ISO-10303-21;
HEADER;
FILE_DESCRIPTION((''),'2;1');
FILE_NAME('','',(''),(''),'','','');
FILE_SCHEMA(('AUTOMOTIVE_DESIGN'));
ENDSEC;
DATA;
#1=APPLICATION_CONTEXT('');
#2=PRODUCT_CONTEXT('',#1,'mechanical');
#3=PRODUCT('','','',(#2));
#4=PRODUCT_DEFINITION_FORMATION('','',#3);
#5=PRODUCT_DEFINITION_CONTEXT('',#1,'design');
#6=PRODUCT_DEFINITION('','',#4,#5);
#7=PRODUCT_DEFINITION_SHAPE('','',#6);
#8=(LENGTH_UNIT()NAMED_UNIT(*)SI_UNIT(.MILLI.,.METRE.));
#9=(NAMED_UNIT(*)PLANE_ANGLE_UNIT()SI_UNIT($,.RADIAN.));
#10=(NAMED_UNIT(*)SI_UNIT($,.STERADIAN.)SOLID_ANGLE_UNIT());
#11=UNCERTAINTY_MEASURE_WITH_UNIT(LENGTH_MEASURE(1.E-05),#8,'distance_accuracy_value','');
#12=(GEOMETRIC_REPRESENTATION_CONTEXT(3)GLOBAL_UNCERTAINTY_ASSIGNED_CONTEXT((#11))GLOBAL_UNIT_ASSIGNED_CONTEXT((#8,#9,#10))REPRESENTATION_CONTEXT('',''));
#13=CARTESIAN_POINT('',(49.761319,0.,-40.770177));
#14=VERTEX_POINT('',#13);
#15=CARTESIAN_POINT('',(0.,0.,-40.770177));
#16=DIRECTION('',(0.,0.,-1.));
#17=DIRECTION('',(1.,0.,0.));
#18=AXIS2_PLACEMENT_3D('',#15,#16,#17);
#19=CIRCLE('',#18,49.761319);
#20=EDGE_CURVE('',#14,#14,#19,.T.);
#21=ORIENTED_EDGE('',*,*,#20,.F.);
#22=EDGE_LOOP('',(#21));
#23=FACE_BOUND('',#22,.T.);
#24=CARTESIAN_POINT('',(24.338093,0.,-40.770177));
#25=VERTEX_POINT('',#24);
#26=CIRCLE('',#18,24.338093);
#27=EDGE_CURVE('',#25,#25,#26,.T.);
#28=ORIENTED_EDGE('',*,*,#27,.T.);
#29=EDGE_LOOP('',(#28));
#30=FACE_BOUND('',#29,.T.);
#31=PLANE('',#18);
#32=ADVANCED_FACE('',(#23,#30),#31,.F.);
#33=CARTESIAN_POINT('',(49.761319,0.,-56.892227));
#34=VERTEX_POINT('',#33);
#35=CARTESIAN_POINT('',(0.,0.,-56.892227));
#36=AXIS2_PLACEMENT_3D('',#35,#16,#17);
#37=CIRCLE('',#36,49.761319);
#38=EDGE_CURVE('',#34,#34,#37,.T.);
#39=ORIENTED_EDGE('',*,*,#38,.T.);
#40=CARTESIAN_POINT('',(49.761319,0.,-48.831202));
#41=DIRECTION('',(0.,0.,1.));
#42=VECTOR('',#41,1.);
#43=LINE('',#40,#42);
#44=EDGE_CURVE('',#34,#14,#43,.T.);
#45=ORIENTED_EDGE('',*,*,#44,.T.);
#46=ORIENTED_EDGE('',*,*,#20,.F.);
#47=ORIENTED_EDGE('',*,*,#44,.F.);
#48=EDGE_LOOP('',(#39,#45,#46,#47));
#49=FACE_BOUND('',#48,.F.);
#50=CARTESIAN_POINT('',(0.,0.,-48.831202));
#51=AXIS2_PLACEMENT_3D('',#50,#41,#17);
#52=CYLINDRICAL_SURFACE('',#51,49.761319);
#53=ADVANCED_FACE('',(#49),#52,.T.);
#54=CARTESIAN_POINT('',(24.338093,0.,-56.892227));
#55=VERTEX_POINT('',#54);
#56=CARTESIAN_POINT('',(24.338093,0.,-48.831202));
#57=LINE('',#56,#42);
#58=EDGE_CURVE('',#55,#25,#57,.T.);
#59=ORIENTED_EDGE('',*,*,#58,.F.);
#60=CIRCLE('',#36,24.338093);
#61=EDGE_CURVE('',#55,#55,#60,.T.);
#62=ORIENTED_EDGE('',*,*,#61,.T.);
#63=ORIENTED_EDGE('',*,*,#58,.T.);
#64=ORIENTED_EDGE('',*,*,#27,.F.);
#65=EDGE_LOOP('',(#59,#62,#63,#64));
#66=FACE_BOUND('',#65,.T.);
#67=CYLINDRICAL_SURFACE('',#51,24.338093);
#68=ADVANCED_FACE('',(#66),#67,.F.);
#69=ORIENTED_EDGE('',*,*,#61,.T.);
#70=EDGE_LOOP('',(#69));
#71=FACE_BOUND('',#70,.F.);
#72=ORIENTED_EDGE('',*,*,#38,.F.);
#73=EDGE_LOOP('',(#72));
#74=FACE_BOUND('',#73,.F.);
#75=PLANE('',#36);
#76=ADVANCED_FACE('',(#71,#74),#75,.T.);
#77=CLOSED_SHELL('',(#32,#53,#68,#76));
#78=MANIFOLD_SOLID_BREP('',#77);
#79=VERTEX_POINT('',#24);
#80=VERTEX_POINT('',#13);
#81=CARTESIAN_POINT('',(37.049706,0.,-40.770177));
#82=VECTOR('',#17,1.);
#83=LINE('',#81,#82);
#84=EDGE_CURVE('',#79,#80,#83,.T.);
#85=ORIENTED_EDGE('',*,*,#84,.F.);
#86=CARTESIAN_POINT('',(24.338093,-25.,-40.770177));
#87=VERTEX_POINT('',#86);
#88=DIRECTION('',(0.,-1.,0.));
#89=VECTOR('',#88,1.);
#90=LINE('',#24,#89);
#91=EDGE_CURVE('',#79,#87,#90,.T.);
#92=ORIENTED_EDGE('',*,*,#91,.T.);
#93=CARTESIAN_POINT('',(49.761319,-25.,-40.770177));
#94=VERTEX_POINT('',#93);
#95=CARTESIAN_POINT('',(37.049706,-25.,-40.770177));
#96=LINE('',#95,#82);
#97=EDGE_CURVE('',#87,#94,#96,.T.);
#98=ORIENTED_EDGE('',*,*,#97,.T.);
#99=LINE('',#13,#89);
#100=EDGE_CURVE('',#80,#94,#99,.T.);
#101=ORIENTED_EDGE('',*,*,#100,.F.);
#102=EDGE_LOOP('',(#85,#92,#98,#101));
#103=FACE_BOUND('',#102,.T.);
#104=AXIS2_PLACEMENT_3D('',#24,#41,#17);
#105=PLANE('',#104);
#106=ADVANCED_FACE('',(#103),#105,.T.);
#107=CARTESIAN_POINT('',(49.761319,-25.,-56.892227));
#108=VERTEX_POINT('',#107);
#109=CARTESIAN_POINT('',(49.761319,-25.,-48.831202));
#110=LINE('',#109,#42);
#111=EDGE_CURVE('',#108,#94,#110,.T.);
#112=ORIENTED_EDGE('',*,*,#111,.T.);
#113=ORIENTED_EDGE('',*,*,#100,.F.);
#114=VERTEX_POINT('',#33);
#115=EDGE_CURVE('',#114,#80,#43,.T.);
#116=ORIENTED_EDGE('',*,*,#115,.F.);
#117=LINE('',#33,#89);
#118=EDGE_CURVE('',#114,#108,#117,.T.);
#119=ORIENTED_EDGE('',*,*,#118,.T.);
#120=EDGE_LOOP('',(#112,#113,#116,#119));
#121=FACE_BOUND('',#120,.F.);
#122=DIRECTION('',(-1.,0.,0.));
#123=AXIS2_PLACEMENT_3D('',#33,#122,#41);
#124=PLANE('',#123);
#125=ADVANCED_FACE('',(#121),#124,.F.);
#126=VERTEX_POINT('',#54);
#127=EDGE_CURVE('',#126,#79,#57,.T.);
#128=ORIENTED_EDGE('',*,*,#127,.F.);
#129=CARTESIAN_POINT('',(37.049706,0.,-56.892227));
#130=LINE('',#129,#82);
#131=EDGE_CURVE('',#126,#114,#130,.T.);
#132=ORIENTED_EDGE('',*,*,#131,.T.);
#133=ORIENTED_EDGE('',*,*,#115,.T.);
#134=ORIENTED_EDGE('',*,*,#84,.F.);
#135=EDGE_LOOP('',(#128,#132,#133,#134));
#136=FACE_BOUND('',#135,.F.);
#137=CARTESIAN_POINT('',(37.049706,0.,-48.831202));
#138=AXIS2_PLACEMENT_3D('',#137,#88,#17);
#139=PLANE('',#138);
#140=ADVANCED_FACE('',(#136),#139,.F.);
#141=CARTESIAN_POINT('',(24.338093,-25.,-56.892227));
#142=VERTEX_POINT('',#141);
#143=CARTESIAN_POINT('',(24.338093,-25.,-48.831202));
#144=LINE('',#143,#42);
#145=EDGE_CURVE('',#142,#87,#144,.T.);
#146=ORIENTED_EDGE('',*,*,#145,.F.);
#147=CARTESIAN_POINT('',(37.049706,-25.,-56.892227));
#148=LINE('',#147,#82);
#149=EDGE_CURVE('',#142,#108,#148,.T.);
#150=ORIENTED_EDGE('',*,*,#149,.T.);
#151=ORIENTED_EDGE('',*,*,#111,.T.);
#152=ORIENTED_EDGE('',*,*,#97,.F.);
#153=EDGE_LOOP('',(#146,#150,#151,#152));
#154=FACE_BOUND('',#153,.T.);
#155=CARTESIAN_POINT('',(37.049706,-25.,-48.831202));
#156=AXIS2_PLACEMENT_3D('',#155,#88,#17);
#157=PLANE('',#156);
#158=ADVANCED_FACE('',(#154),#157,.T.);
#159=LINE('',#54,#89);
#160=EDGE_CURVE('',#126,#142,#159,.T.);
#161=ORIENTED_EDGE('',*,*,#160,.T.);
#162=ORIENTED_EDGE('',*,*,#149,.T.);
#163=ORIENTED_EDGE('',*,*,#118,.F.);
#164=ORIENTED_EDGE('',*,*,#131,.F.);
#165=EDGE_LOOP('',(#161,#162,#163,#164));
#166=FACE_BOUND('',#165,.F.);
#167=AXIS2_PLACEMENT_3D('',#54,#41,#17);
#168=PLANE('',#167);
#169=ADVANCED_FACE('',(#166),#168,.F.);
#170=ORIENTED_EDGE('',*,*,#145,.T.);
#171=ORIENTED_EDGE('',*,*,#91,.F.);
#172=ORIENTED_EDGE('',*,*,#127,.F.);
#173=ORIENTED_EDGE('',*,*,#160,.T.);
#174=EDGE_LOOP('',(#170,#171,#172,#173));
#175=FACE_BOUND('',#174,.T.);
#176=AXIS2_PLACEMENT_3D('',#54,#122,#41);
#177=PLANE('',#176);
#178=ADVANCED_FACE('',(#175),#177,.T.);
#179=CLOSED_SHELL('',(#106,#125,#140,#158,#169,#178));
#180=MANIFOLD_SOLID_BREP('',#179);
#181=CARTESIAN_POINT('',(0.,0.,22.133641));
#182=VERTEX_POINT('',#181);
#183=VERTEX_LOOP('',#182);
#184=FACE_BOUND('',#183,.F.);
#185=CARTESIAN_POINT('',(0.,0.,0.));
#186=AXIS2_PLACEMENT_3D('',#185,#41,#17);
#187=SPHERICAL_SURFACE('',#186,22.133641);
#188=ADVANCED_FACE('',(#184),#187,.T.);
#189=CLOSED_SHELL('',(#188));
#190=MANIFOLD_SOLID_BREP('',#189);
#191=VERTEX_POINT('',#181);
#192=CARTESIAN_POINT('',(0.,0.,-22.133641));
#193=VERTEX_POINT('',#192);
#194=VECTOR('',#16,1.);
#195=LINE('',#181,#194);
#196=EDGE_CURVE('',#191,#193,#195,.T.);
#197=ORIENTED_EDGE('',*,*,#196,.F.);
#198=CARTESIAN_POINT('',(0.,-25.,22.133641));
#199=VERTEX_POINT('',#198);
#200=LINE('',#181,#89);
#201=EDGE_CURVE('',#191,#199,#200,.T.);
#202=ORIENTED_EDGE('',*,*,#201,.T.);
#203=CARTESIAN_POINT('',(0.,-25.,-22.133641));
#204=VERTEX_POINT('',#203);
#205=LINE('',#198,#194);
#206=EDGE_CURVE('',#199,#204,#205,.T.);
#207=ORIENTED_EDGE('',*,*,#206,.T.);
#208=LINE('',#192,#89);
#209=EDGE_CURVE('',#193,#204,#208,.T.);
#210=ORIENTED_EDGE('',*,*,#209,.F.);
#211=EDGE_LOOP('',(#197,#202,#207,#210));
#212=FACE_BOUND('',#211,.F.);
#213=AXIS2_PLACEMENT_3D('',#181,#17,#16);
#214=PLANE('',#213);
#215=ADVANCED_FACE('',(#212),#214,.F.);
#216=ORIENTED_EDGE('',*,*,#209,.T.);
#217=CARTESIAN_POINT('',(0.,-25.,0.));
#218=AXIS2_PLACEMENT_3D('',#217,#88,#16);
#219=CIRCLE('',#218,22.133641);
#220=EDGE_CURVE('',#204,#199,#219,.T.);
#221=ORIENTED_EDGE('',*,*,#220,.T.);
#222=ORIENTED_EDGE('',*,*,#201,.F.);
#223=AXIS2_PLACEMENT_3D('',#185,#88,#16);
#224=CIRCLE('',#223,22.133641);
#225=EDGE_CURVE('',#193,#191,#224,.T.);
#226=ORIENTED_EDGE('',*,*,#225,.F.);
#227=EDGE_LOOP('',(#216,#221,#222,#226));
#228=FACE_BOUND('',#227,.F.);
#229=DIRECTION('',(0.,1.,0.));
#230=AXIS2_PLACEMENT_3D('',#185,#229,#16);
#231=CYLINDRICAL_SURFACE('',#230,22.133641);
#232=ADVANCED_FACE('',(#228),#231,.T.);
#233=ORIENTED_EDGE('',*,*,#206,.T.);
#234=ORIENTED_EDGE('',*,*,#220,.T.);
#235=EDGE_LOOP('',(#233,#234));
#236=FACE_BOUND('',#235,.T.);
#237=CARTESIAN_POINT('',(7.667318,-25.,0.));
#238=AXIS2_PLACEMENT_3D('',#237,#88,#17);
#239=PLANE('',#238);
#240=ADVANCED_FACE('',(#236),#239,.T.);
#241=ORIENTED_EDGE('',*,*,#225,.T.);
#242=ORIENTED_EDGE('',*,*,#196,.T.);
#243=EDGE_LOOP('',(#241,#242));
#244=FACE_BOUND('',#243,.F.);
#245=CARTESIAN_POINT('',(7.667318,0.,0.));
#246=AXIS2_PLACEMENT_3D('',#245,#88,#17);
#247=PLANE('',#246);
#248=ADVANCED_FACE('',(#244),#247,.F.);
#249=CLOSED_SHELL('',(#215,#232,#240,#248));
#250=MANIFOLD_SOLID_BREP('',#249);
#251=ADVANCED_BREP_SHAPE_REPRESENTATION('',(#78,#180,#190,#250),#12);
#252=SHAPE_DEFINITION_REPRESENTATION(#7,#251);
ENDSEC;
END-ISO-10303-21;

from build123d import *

# Parameters (mm, degrees)
F0_W     = 25.423225
F0_H     = 16.12205
F2_DEPTH = 25


with BuildPart() as f1:
    # F0 (on Front) → F1 (revolve)
    with BuildSketch(Plane.XZ):
        with BuildLine():
            Line((0, 22.133641), (0, -22.133641))
            ThreePointArc((0, -22.133641), (22.133641, 0), (0, 22.133641))
        make_face()
        with Locations((37.049706, -48.831202)):
            Rectangle(F0_W, F0_H)
    revolve(axis=Axis((0, 0, -2.325295), (0, 0, -1)))


with BuildPart() as f2:
    # F0 (on Front) → F2 (new body)
    with BuildSketch(Plane.XZ):
        with BuildLine():
            Line((0, 22.133641), (0, -22.133641))
            ThreePointArc((0, -22.133641), (22.133641, 0), (0, 22.133641))
        make_face()
        with Locations((37.049706, -48.831202)):
            Rectangle(F0_W, F0_H)
    extrude(amount=F2_DEPTH)


solid = Compound([f1.part, f2.part])
